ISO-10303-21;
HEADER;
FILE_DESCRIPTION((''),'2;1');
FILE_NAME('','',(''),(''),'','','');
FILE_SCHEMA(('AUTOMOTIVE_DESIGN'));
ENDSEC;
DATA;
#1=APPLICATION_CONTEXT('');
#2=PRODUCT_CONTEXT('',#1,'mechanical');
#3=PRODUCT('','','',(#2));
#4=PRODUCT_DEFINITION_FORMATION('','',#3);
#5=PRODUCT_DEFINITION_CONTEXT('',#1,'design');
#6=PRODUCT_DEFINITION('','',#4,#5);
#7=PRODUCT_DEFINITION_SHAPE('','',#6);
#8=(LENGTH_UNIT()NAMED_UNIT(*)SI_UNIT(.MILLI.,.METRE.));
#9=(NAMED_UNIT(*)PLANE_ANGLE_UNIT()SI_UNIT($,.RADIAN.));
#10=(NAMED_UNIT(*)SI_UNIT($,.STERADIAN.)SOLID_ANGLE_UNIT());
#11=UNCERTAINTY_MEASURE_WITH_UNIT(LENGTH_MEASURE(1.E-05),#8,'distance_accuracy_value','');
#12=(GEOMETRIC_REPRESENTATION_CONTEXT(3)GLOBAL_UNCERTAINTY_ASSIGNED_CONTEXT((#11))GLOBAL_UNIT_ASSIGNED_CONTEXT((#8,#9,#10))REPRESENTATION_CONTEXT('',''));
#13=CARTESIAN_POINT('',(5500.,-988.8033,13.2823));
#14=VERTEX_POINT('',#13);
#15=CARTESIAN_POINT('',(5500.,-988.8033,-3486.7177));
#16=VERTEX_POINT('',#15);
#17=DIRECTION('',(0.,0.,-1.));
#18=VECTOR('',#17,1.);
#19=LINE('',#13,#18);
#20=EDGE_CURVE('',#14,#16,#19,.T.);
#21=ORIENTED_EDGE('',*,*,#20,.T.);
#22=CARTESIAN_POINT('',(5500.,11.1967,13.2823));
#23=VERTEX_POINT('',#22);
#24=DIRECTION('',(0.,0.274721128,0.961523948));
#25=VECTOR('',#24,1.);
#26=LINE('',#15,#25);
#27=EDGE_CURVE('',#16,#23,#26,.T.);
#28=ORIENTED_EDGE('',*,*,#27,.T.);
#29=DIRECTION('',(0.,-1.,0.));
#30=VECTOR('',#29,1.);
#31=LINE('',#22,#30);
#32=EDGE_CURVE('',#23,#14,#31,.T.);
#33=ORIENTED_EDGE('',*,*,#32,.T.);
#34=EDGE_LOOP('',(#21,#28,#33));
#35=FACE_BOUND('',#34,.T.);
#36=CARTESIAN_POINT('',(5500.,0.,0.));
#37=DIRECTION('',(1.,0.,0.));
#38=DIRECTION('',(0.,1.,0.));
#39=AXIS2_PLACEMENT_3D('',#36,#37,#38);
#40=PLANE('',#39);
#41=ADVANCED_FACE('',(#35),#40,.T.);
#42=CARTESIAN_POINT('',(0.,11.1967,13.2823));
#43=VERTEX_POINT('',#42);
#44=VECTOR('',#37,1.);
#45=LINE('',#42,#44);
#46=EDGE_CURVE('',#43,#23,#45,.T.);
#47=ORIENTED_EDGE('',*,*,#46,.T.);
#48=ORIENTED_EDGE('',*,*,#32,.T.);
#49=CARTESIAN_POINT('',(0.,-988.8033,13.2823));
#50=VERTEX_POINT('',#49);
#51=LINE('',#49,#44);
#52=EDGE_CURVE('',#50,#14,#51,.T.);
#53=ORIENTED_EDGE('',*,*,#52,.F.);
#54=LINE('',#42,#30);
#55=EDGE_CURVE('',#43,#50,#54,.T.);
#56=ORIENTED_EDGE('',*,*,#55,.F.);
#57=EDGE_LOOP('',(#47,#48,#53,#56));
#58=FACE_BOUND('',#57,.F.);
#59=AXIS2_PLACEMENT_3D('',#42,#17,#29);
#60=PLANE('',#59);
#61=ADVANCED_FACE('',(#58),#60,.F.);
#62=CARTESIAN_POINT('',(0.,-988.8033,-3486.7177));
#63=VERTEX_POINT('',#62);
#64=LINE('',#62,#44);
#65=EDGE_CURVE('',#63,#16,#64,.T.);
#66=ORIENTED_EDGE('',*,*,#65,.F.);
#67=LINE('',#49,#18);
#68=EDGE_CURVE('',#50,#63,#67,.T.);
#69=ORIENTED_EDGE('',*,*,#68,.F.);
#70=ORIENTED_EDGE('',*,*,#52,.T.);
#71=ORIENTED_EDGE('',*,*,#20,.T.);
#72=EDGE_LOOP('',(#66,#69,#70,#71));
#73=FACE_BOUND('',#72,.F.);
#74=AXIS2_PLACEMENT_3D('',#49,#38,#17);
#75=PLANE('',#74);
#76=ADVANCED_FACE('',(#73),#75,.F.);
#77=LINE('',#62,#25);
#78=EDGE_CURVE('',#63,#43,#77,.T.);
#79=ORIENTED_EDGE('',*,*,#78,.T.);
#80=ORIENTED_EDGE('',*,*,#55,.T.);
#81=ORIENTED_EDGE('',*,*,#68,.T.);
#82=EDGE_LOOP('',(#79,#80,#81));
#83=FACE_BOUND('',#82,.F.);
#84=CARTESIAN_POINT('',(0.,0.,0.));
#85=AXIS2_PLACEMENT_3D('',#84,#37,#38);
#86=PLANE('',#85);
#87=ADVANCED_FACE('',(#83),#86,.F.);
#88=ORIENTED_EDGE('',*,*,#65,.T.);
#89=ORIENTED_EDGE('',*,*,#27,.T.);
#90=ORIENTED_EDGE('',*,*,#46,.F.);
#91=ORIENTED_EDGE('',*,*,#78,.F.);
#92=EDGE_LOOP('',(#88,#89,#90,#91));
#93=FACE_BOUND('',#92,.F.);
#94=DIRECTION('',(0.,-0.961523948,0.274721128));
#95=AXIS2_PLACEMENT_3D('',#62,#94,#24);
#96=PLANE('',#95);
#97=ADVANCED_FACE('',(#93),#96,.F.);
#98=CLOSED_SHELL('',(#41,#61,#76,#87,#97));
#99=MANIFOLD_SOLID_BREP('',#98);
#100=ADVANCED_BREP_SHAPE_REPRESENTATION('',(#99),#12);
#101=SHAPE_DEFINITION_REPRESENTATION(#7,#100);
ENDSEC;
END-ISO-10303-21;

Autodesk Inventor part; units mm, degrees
ref_plane "YZ Plane" through (0, 0, 0) normal (1, 0, 0) x (0, 1, 0)
ref_plane "XZ Plane" through (0, 0, 0) normal (0, 1, 0) x (-1, 0, 0)
ref_plane "XY Plane" through (0, 0, 0) normal (0, 0, 1) x (1, 0, 0)
sketch "Sketch1" plane through (0, 0, 0) normal (1, 0, 0) x (0, 1, 0)
  line L0 (11.1967, 13.2823) -> (-988.8033, 13.2823)
  line L1 (-988.8033, 13.2823) -> (-988.8033, -3486.7177)
  line L2 (-988.8033, -3486.7177) -> (11.1967, 13.2823)
  point P0 (0, 0)
  dimension "d0" = 1000
  dimension "d1" = 3500
extrude "Extrusion1" add sketch "Sketch1" along normal blind 5500
properties part number "Slope"
